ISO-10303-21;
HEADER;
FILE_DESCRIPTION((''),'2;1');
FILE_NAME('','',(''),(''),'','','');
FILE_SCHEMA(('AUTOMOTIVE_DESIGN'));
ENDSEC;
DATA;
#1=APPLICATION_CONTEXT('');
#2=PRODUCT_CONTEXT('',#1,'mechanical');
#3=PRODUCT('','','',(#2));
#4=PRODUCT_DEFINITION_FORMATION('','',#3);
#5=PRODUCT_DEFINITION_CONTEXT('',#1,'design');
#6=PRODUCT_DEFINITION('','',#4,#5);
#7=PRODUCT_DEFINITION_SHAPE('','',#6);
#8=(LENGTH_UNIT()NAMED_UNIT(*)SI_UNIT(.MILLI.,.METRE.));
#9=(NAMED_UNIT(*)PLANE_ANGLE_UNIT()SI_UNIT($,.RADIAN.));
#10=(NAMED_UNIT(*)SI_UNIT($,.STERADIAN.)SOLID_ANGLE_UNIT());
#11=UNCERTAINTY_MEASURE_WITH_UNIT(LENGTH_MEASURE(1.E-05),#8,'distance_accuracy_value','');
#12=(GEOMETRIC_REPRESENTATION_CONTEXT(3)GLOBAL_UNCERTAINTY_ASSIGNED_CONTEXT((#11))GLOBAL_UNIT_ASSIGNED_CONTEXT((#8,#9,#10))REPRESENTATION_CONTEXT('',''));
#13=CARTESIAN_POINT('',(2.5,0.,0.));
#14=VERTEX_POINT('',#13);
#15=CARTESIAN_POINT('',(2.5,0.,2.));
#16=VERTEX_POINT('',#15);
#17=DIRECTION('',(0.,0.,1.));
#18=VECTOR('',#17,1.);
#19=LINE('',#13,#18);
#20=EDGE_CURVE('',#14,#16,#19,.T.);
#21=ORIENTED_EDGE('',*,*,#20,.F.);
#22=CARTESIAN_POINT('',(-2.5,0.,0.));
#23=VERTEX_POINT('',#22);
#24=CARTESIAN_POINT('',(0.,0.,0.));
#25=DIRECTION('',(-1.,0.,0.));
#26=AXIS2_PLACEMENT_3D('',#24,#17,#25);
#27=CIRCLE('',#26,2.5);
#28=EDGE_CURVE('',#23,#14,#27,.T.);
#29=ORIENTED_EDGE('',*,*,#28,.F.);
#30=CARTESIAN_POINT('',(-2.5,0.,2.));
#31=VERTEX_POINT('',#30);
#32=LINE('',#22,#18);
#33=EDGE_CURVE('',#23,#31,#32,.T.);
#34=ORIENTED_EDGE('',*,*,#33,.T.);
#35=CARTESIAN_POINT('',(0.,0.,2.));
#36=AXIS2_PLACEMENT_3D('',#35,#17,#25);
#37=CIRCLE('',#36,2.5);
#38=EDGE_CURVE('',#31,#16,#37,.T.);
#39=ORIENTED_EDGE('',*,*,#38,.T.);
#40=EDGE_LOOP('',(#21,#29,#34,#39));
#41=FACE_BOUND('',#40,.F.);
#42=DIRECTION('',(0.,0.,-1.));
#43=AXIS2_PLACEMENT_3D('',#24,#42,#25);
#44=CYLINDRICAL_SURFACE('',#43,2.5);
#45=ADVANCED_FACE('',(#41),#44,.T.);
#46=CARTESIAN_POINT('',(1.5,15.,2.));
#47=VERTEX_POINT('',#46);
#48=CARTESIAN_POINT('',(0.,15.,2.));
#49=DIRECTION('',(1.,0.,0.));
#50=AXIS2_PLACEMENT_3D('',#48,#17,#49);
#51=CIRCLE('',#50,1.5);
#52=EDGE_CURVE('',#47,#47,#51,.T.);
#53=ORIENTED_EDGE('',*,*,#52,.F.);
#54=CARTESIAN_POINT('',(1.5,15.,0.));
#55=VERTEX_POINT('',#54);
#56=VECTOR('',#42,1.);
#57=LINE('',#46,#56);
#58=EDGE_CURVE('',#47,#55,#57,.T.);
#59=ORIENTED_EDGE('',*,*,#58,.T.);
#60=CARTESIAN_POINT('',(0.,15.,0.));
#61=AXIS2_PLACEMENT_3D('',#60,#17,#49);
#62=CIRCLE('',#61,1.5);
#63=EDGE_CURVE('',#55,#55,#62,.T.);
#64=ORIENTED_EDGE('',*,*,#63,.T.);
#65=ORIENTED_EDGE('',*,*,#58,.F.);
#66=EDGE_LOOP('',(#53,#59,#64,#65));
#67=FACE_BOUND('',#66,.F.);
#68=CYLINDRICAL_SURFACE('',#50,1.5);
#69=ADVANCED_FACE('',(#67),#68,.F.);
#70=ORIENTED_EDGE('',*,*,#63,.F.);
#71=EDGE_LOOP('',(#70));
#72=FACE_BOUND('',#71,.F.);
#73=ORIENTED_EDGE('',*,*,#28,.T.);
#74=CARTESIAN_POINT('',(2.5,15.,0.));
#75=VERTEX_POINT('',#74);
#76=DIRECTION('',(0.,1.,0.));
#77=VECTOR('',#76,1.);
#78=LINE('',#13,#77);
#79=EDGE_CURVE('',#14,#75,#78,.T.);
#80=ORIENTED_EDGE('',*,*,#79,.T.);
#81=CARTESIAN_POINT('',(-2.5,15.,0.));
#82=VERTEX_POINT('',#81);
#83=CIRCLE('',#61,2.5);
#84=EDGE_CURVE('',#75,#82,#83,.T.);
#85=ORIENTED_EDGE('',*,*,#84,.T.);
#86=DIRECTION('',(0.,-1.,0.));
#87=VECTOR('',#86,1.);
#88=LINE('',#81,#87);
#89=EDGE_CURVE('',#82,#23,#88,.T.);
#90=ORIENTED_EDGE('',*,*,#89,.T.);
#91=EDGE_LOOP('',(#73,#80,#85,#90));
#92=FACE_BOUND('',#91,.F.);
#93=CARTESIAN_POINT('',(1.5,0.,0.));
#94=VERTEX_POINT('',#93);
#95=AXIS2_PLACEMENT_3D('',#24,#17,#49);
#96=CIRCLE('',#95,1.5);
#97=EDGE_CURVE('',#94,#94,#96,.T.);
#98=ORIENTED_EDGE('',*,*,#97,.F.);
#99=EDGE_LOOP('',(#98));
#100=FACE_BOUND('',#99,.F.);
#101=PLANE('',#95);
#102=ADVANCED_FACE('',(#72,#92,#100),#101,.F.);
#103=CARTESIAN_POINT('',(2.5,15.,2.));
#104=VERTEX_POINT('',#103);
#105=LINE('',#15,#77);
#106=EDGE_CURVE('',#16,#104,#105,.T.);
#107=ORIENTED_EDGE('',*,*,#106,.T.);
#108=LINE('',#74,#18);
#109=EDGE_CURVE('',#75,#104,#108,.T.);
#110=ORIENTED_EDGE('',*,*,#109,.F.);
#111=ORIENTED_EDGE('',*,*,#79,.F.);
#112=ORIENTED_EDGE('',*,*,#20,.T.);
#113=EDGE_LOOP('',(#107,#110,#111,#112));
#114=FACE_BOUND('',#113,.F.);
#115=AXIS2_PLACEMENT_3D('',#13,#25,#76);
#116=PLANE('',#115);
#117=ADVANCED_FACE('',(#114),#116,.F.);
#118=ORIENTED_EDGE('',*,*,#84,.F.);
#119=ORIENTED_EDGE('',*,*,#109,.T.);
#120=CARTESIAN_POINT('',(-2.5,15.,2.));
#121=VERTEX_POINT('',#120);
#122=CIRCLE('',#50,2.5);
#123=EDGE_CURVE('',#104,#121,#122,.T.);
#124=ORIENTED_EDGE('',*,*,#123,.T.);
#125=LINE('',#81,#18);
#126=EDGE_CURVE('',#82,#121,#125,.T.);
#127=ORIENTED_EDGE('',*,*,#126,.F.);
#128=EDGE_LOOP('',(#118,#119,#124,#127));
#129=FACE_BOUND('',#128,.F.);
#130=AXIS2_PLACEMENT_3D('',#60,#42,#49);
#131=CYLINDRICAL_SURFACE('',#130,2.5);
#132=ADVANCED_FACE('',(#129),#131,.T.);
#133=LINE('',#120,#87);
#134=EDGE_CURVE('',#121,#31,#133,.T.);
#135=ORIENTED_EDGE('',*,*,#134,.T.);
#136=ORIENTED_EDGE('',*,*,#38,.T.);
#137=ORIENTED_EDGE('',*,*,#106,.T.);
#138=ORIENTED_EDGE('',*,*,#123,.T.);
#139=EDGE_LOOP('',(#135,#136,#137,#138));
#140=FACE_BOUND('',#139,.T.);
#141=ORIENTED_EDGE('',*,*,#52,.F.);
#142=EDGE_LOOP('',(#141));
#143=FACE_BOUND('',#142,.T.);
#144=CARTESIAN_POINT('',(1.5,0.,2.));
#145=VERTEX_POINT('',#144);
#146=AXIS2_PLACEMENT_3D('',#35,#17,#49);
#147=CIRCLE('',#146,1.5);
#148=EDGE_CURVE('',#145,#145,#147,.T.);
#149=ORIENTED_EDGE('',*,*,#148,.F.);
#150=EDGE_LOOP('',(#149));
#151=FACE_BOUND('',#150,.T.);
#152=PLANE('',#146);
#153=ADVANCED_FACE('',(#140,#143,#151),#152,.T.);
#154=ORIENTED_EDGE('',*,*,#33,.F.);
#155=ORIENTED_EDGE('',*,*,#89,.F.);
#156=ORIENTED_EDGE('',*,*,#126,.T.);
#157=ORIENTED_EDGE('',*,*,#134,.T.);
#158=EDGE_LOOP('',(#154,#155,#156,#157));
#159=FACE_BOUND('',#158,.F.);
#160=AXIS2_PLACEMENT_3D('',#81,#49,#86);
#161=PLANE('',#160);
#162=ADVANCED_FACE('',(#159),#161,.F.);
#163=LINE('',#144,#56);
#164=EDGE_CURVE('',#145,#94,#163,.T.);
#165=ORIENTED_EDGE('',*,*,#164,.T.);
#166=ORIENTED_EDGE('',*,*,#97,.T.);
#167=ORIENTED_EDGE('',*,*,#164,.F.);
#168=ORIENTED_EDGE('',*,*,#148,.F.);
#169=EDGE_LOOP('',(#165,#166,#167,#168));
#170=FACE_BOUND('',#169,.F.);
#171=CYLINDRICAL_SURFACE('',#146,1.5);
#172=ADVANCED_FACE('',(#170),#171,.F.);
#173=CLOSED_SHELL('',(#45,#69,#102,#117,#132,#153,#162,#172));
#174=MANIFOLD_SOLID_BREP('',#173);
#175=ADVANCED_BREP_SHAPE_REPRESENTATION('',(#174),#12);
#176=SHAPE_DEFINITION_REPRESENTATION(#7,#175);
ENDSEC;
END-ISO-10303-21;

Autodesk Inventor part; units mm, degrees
ref_plane "YZ Plane" through (0, 0, 0) normal (1, 0, 0) x (0, 1, 0)
ref_plane "XZ Plane" through (0, 0, 0) normal (0, 1, 0) x (-1, 0, 0)
ref_plane "XY Plane" through (0, 0, 0) normal (0, 0, 1) x (1, 0, 0)
sketch "草图1" plane through (0, 0, 0) normal (0, 0, 1) x (1, 0, 0)
  line L0 (0, 0) -> (0, 15) construction
  line L1 (2.5, 0) -> (2.5, 15)
  line L2 (-2.5, 15) -> (-2.5, 0)
  arc A0 (-2.5, 0) -> (2.5, 0) centre (0, 0) ccw
  arc A1 (2.5, 15) -> (-2.5, 15) centre (0, 15) ccw
  point P0 (0, 7.5)
  point P1 (0, -2.5)
  point P2 (0, 17.5)
  dimension "d2" = 20
  dimension "d3" = 5
extrude "拉伸1" add sketch "草图1" along normal blind 2
sketch "草图2" plane through (0, 0, 2) normal (0, 0, 1) x (1, 0, 0)
  circle A0 centre (0, 0) radius 1.5
  arc A1 (2.5, 15) -> (-2.5, 15) centre (0, 15) ccw projected
  circle A2 centre (0, 15) radius 1.5
  dimension "d4" = 3
  dimension "d5" = 3
extrude "拉伸2" cut sketch "草图2" against normal blind 3
properties part number "连杆2"
